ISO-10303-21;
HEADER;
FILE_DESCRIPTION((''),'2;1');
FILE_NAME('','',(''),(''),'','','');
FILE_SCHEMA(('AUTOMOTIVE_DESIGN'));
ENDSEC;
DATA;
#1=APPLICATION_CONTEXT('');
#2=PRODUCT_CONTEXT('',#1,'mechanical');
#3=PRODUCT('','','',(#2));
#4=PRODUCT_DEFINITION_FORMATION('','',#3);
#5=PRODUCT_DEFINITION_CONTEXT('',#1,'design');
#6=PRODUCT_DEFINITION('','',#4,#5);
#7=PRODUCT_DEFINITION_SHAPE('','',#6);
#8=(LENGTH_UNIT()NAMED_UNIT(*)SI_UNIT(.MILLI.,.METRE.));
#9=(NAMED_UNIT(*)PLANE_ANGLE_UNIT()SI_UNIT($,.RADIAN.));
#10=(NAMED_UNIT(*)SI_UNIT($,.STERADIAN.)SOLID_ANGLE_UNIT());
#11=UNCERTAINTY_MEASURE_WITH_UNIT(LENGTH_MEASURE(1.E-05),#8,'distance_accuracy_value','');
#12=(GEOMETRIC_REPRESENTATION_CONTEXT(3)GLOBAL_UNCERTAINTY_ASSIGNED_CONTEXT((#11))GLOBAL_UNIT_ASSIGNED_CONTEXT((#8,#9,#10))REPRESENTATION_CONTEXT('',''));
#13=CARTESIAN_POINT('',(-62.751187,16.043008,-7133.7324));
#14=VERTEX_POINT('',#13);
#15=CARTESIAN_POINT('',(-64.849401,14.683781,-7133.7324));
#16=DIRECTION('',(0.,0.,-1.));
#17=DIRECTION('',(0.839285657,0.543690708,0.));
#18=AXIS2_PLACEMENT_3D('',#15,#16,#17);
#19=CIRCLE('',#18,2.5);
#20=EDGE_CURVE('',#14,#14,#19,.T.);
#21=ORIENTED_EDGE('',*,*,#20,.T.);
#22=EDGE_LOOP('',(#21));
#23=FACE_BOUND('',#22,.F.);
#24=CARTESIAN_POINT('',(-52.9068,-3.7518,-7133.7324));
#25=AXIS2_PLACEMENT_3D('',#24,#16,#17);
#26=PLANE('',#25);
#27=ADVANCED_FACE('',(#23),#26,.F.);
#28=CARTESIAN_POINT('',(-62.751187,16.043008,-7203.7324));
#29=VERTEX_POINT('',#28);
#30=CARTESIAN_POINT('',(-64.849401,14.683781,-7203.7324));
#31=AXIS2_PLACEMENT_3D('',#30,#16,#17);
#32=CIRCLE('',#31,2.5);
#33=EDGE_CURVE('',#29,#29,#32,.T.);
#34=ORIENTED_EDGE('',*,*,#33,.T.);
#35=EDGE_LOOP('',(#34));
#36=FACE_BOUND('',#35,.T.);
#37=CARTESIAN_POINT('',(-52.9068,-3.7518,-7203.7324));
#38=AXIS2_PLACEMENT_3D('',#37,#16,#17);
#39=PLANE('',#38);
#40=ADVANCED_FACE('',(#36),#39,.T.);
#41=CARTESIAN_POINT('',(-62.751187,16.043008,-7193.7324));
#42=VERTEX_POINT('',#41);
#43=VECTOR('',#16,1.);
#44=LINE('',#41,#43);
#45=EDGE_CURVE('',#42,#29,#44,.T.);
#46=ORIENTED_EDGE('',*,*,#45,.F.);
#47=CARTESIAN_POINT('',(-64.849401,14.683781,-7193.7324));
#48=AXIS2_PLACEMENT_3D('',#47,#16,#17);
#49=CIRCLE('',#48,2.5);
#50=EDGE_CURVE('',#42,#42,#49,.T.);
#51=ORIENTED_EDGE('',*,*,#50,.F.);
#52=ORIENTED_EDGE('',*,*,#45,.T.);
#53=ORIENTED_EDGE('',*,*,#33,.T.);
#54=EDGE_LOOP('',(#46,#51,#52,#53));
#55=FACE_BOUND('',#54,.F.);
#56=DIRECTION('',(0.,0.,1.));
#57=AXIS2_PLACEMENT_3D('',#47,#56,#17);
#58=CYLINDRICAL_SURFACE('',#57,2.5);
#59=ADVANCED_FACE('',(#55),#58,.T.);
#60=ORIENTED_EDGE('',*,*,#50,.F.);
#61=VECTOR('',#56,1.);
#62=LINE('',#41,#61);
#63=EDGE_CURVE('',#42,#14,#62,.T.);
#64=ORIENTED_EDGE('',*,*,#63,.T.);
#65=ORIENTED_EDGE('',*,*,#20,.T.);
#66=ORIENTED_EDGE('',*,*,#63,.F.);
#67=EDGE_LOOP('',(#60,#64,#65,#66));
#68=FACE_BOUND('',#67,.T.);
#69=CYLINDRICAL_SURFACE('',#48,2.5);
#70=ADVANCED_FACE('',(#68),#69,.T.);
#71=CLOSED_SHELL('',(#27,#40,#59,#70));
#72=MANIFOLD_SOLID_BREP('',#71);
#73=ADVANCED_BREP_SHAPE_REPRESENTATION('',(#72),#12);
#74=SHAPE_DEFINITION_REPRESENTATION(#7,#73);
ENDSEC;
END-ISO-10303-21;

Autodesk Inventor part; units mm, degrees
ref_plane "YZ Plane" through (0, 0, 0) normal (1, 0, 0) x (0, 1, 0)
ref_plane "XZ Plane" through (0, 0, 0) normal (0, 1, 0) x (-1, 0, 0)
ref_plane "XY Plane" through (0, 0, 0) normal (0, 0, 1) x (1, 0, 0)
ref_plane "РабПлоскость1" through (-52.9068, -3.7518, -7193.7324) normal (0, 0, -1) x (0.8393, 0.5437, 0)
sketch "Эскиз1" plane through (-52.9068, -3.7518, -7193.7324) normal (0, 0, -1) x (0.8393, 0.5437, 0)
  circle A0 centre (0, -21.9658) radius 2.6 projected
  circle A1 centre (0, -21.9658) radius 2.5
  point P0 (46.4438, 25.6157)
  dimension "d0" = 5
extrude "Выдавливание1" add sketch "Эскиз1" along normal blind 10 and the other way blind 60 contours A1
properties part number "вал"
